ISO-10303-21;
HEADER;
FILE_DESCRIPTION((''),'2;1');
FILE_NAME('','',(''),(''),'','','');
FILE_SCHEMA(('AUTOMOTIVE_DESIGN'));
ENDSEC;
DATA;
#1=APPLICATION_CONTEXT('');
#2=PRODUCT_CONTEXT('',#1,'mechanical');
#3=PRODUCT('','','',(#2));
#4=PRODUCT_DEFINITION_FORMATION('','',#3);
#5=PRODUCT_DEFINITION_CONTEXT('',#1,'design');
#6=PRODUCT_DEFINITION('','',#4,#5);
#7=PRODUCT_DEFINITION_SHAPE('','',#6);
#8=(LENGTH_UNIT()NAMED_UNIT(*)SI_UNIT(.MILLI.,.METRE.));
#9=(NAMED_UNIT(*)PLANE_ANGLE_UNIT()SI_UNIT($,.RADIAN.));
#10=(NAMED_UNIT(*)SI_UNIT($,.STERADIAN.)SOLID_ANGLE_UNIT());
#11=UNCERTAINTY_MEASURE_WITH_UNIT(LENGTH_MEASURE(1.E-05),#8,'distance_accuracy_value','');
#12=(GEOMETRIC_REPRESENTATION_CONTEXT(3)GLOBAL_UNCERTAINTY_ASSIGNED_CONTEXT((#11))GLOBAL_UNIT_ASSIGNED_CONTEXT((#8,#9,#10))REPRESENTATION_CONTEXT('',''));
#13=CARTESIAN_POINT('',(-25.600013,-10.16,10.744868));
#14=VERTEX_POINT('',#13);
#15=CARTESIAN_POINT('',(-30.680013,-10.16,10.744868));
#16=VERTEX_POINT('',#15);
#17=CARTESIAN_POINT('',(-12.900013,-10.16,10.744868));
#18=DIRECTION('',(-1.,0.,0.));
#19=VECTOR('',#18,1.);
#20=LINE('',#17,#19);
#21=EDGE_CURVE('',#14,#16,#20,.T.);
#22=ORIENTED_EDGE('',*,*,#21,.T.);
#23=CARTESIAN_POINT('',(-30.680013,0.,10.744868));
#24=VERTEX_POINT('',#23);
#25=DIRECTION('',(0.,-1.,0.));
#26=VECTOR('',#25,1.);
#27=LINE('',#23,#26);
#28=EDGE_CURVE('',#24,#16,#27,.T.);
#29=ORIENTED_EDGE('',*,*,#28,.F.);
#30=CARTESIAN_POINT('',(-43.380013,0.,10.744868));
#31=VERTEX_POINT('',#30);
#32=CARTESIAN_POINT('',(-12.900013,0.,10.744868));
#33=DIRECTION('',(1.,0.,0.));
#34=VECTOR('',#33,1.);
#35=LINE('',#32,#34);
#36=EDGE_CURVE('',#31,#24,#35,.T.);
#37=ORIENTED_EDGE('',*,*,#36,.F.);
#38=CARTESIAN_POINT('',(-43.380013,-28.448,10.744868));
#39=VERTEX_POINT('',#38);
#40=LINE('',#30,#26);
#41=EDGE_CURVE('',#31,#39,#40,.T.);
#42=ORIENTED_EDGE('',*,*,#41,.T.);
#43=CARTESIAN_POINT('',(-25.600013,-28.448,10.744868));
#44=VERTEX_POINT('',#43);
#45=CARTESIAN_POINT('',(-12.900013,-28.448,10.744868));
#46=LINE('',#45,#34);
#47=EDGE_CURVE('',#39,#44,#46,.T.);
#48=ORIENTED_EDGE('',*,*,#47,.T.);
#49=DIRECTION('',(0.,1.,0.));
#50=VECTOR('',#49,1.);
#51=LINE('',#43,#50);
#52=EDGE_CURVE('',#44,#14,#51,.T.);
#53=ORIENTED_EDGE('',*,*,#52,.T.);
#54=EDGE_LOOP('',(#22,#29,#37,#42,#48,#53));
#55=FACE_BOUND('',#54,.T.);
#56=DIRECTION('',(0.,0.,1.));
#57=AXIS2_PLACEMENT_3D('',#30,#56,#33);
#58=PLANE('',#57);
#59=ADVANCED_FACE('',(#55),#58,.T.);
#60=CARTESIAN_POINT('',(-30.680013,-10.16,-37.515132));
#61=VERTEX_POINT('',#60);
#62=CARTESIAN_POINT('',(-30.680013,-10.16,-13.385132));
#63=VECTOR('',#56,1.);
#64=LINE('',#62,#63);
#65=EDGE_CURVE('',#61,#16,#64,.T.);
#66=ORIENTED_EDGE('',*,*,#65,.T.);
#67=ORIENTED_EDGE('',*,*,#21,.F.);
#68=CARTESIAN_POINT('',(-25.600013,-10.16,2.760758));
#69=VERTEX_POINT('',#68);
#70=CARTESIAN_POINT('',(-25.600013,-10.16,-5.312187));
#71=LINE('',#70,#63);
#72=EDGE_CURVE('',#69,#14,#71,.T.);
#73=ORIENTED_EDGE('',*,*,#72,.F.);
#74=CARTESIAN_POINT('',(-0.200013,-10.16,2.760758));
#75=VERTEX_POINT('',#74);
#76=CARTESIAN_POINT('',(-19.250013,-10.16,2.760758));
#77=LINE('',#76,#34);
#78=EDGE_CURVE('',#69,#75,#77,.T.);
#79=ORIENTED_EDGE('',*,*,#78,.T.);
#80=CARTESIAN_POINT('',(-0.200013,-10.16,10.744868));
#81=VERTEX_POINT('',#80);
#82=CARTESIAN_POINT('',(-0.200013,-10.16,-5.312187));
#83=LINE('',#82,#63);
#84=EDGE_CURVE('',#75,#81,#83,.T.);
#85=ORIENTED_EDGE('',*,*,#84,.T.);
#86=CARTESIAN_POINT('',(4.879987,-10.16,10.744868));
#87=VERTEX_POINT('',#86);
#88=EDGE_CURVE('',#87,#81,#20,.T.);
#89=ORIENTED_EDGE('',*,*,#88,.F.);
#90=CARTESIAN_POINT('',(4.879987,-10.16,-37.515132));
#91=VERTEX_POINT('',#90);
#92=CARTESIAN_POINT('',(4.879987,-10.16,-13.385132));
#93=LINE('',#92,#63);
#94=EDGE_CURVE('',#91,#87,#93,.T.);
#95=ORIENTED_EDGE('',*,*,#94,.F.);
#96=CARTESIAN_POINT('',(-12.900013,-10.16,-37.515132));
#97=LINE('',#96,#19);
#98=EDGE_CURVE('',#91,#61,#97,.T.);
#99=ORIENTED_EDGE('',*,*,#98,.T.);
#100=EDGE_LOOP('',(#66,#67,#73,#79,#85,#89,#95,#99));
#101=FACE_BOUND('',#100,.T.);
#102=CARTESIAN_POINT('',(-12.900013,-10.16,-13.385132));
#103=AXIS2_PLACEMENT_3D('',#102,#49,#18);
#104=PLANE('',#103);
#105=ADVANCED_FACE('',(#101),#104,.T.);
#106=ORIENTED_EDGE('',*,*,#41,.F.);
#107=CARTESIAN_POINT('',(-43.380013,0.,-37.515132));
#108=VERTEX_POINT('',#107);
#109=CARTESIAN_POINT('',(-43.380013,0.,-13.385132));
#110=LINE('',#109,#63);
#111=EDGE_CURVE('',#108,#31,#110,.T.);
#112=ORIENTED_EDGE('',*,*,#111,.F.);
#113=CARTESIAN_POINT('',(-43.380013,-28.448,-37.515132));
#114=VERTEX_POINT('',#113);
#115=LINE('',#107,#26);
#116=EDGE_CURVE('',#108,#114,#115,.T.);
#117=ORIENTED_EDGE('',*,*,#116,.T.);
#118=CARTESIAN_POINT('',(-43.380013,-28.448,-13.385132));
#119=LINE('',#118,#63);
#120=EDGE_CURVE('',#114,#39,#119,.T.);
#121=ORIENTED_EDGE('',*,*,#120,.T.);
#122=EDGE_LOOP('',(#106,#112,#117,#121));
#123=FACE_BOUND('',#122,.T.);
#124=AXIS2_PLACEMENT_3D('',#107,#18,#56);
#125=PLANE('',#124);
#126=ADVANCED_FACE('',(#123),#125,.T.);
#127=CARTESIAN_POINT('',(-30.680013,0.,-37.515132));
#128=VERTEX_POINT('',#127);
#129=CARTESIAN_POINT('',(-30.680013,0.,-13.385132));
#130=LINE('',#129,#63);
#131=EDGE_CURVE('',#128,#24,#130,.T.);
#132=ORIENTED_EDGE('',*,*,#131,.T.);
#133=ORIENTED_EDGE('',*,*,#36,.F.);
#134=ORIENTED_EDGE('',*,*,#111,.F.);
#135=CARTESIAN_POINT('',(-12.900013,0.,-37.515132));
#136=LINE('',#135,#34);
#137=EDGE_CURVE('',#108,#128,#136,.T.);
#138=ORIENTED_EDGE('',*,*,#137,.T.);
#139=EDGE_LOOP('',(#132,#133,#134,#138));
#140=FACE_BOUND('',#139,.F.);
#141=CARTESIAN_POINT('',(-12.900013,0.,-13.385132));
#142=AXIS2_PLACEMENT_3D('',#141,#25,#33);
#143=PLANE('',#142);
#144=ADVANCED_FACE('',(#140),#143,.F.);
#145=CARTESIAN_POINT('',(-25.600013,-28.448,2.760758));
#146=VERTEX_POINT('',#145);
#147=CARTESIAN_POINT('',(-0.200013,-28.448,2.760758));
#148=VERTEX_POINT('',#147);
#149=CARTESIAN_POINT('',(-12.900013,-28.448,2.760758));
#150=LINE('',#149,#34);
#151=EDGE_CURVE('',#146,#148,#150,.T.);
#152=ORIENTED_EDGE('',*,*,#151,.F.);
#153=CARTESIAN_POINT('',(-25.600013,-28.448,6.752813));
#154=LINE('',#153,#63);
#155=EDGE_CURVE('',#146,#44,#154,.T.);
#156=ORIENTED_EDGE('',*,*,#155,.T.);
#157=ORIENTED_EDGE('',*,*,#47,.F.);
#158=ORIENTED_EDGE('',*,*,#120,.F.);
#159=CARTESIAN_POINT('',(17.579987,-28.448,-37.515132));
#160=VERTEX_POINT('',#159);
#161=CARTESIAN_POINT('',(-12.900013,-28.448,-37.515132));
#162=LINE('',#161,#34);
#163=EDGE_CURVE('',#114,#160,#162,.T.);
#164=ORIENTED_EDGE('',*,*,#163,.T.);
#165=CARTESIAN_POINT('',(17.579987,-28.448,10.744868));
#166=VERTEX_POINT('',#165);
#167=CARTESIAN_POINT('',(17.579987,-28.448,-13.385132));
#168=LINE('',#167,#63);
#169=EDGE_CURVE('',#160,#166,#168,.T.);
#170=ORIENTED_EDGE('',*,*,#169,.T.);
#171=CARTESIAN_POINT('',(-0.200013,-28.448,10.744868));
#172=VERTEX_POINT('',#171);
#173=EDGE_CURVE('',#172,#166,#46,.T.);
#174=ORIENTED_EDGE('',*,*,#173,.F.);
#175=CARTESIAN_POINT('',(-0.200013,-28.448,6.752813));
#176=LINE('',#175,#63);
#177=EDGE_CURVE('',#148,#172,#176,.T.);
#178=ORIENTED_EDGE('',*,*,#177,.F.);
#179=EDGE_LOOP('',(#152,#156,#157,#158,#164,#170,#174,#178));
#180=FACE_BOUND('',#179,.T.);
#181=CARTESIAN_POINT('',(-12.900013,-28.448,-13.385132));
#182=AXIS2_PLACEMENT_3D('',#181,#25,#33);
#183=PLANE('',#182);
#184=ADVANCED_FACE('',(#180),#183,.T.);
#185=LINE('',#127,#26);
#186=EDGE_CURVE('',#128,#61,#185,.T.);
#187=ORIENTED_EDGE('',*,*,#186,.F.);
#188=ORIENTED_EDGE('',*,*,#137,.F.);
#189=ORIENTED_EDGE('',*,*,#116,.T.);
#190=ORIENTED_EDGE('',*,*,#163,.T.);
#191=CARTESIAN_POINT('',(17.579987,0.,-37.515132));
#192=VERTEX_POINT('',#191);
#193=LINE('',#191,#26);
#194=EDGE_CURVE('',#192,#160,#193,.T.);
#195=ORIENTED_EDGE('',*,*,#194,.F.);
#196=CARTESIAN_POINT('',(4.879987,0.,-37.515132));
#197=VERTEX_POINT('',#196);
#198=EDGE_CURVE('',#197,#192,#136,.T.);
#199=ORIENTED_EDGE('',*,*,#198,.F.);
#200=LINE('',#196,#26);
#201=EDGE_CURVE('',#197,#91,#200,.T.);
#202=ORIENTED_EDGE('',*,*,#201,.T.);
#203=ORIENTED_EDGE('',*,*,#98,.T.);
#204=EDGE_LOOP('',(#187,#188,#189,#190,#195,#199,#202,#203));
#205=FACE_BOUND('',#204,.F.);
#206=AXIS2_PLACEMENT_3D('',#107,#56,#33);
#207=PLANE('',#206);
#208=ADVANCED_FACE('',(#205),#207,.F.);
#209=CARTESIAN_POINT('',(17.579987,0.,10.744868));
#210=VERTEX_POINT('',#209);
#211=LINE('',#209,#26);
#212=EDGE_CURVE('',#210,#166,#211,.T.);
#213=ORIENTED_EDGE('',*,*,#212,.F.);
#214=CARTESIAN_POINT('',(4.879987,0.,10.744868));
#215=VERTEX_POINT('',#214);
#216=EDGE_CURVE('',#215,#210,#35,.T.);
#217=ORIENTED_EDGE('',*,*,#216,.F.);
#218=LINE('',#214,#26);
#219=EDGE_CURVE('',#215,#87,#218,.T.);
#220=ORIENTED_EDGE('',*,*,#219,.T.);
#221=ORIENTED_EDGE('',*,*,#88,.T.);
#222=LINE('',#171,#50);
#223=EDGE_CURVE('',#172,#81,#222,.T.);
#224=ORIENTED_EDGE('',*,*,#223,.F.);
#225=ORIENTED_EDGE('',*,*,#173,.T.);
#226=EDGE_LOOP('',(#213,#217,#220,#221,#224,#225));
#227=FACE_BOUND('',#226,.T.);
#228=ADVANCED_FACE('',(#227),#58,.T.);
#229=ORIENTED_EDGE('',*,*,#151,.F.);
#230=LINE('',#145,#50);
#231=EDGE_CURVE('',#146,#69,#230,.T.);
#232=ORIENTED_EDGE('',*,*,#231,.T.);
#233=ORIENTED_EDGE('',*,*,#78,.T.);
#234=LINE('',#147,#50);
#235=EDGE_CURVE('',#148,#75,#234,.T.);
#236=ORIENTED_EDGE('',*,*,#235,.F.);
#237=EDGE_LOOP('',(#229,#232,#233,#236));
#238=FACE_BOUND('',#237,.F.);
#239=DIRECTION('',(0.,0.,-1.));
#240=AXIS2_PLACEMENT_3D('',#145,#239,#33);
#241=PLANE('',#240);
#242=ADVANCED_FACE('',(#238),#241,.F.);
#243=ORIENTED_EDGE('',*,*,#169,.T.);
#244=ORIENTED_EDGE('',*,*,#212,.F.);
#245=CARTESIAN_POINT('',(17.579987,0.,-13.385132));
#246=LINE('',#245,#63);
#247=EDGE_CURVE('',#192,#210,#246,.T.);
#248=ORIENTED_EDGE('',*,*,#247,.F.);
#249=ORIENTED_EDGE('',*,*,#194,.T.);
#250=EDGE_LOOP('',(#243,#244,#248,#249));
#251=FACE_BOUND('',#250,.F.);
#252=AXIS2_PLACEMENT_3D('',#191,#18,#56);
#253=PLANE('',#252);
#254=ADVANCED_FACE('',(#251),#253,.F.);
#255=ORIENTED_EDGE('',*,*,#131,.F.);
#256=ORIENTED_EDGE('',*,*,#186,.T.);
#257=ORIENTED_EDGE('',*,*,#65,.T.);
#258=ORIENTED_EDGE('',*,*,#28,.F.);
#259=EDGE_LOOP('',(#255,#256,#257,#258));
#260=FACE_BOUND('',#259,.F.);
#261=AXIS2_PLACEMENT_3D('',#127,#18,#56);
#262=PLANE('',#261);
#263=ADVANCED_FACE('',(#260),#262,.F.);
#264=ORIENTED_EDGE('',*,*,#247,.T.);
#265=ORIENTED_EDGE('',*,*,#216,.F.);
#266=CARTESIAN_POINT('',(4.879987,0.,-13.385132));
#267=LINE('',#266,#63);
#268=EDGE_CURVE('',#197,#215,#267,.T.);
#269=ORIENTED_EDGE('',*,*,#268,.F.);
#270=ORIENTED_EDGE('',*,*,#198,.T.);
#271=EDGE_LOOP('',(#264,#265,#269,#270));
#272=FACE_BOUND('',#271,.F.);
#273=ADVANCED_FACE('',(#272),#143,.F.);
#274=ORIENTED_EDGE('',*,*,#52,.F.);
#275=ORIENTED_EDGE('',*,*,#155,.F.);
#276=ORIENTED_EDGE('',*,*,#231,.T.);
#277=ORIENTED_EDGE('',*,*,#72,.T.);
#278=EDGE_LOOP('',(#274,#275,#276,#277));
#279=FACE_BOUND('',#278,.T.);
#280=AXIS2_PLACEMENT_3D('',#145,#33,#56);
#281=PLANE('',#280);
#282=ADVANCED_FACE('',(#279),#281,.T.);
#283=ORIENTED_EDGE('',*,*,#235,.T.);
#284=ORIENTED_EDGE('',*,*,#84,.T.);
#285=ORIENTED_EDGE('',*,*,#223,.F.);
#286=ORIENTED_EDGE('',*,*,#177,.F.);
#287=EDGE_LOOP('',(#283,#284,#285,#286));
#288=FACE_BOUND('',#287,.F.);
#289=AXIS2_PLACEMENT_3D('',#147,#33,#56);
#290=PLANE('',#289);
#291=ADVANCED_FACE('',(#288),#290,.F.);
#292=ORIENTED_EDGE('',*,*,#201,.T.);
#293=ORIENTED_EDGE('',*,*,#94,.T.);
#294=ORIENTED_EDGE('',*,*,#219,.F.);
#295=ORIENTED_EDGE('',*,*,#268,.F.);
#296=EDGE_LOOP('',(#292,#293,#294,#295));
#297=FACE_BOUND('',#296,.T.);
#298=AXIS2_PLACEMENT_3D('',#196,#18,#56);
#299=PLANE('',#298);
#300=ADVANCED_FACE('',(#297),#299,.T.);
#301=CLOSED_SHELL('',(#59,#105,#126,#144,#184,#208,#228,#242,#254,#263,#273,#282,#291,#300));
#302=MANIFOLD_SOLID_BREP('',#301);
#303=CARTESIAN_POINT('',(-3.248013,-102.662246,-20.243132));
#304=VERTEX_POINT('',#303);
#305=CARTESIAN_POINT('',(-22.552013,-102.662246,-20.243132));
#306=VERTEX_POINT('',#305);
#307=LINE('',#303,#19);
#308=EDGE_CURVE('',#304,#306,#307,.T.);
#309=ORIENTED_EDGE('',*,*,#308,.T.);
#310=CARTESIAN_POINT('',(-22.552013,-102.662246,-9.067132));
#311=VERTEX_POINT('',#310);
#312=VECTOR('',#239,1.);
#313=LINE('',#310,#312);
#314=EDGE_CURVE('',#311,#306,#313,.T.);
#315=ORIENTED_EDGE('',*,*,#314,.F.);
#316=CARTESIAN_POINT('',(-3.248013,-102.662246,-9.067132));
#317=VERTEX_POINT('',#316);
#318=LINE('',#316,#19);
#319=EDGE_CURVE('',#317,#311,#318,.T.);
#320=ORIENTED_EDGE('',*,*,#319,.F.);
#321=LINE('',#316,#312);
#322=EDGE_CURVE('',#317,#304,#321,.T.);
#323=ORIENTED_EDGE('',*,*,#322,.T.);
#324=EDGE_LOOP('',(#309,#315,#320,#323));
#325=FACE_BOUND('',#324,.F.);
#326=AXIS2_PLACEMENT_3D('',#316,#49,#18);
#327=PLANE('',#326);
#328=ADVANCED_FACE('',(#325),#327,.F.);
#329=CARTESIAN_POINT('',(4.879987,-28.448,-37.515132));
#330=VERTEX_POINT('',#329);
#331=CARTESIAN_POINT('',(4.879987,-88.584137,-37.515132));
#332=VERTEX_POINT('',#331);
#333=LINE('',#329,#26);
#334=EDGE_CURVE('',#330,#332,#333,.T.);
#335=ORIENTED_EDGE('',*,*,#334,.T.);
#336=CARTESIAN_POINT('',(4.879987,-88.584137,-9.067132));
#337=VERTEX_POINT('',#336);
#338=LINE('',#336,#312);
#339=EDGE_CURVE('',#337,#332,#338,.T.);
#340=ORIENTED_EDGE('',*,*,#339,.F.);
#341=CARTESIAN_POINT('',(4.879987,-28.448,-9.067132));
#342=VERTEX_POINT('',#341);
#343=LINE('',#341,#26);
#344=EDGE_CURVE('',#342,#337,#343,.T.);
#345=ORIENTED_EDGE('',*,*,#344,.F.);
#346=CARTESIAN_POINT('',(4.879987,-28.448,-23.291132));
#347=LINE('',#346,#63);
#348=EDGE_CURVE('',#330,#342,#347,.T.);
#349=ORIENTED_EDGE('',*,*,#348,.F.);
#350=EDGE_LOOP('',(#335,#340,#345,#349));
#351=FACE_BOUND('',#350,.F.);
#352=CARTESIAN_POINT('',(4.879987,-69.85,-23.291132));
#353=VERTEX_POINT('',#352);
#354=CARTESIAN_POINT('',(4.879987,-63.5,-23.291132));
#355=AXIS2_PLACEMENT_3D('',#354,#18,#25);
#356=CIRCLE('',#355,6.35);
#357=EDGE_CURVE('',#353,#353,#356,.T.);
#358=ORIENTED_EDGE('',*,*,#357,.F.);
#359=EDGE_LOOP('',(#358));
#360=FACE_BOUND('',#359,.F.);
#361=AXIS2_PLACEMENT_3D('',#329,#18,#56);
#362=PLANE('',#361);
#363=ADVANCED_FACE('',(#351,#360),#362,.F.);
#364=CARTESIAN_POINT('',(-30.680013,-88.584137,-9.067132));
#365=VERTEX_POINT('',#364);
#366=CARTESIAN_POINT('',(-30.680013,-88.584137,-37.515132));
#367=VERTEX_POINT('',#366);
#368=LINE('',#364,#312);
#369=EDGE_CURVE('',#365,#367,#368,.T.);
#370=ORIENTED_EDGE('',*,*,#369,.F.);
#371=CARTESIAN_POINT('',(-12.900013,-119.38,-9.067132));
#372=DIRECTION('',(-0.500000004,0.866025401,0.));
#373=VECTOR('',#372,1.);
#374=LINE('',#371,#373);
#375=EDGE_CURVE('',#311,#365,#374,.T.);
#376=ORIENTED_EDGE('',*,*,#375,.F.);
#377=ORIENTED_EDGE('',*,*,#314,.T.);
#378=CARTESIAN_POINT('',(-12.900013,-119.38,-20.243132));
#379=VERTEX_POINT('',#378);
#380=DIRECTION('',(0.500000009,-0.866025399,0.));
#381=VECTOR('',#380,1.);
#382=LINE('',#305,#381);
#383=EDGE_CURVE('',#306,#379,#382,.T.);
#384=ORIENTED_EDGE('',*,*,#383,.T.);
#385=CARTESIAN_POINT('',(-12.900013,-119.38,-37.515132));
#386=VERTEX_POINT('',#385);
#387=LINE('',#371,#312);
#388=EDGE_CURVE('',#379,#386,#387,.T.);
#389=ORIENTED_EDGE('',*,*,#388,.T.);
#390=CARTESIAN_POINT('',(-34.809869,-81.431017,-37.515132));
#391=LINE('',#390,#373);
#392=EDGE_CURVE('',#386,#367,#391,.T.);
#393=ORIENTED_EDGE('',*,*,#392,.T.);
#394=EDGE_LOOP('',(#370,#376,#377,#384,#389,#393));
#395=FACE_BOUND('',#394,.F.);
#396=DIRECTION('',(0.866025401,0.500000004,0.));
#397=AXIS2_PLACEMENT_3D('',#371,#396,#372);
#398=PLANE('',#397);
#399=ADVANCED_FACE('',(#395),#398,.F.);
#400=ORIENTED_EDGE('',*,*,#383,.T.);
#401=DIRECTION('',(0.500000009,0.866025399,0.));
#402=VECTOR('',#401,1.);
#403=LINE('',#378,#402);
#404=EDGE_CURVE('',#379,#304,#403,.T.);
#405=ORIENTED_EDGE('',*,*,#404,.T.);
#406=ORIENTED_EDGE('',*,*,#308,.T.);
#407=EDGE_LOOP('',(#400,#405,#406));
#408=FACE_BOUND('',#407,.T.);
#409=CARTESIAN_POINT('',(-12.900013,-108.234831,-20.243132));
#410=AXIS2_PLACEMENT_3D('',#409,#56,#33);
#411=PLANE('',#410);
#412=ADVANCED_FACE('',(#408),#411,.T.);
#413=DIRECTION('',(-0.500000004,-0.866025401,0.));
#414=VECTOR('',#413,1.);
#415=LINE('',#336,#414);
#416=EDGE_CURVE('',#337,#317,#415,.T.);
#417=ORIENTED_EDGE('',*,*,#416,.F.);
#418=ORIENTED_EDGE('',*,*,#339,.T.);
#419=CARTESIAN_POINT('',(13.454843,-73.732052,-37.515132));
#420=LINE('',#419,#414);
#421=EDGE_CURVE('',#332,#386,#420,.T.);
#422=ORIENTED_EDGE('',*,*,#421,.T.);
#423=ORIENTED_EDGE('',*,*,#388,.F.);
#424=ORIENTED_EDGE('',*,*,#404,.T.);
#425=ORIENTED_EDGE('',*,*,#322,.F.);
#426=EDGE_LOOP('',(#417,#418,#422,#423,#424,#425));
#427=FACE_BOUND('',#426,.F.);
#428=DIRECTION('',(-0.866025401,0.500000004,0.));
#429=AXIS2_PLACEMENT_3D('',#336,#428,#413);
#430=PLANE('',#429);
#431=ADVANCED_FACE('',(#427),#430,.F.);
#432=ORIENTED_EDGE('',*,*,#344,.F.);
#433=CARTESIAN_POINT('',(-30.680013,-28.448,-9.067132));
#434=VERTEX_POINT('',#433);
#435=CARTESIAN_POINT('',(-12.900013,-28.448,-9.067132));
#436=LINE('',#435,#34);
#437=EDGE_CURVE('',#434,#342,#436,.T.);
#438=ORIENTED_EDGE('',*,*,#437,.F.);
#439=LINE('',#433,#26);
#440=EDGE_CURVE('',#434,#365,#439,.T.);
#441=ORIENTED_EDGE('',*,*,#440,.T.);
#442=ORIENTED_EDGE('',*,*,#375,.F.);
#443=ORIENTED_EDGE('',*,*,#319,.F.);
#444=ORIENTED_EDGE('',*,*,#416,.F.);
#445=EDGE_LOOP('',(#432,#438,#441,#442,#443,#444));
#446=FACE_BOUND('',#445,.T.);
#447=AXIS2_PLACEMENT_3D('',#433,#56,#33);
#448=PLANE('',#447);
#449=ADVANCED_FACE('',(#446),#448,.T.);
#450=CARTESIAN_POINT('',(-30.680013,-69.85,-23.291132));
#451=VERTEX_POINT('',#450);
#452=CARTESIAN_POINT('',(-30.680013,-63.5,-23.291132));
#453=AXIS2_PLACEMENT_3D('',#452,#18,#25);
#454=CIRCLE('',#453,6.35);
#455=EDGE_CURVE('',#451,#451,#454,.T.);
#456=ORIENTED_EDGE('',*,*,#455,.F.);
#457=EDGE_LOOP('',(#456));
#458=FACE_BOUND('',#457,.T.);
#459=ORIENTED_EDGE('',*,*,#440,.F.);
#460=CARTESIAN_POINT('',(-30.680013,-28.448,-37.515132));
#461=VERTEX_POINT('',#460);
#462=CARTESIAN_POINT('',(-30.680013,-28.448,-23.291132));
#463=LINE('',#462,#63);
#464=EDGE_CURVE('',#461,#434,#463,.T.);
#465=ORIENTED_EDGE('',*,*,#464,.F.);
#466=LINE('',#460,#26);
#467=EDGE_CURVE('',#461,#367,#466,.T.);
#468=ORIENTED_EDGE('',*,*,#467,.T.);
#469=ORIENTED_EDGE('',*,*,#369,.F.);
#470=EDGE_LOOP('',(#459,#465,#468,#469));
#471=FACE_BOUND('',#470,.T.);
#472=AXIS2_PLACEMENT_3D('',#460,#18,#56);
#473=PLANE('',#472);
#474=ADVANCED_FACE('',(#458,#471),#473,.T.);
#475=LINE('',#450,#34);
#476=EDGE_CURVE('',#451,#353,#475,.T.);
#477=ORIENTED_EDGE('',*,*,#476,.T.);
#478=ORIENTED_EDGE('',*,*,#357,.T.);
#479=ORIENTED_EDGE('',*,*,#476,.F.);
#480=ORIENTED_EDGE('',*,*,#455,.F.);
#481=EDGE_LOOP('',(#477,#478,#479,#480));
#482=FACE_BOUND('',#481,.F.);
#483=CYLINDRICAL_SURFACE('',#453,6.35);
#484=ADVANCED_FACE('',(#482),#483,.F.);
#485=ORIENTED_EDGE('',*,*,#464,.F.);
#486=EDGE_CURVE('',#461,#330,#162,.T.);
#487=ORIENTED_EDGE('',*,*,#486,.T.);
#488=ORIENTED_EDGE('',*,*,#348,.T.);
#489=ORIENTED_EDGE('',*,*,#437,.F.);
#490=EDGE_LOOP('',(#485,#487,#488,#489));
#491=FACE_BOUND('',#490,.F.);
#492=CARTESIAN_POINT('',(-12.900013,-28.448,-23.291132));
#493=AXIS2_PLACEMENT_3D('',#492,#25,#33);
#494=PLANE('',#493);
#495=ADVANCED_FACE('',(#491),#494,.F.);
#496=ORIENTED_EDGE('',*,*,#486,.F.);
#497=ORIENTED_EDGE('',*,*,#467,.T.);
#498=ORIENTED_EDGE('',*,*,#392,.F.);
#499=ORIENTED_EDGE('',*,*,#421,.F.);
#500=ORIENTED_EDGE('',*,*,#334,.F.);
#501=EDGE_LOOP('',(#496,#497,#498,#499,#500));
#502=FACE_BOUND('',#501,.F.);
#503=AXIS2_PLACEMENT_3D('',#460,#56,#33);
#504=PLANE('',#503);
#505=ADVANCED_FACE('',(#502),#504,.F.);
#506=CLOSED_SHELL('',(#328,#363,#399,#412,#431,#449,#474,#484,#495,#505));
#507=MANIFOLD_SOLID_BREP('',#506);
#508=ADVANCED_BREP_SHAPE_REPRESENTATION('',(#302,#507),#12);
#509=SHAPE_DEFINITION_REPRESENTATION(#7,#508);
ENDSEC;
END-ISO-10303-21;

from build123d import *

# Parameters (mm, degrees)
F0_W      = 60.96
F0_H      = 48.26
F1_DEPTH  = 28.448
F2_W      = 25.4
F2_H      = 7.98411
F3_DEPTH  = 30.226
F4_W      = 35.56
F4_H      = 48.26
F5_DEPTH  = 10.16
F6_W      = 35.56
F6_H      = 28.448
F7_DEPTH  = 90.932
F8_R      = 6.35
F9_DEPTH  = 42.164
F11_DEPTH = 32.766
F13_DEPTH = 11.176


with BuildPart() as f1:
    # F0 (on Front) → F1 (new body)
    with BuildSketch(Plane.XZ):
        with Locations((-12.900013, -13.385132)):
            Rectangle(F0_W, F0_H)
    extrude(amount=F1_DEPTH)

    # F2 (on face) → F3 (cut)
    with BuildSketch(Plane.XZ.offset(28.448)):
        with Locations((-12.900013, 6.752813)):
            Rectangle(F2_W, F2_H)
    extrude(amount=-F3_DEPTH, mode=Mode.SUBTRACT)

    # F4 (on face) → F5 (cut)
    with BuildSketch(Plane(origin=(0, 0, 0), x_dir=(-1, 0, 0), z_dir=(0, 1, 0))):
        with Locations((12.900013, -13.385132)):
            Rectangle(F4_W, F4_H)
    extrude(amount=-F5_DEPTH, mode=Mode.SUBTRACT)


with BuildPart() as f7:
    # F6 (on face) → F7 (new body)
    with BuildSketch(Plane.XZ.offset(28.448)):
        with Locations((-12.900013, -23.291132)):
            Rectangle(F6_W, F6_H)
    extrude(amount=F7_DEPTH)

    # F8 (on face) → F9 (cut)
    with BuildSketch(Plane(origin=(-30.680013, 0, 0), x_dir=(0, -1, 0), z_dir=(-1, 0, 0))):
        with Locations((63.5, -23.291132)):
            Circle(F8_R)
    extrude(amount=-F9_DEPTH, mode=Mode.SUBTRACT)

    # F10 (on face) → F11 (cut)
    with BuildSketch(Plane.XY.offset(-9.067132)):
        Polygon((-30.680013, -119.38), (-12.900013, -119.38), (-30.680013, -88.584137), align=None)
        Polygon((4.879987, -88.584137), (-12.900013, -119.38), (4.879987, -119.38), align=None)
    extrude(amount=-F11_DEPTH, mode=Mode.SUBTRACT)

    # F12 (on face) → F13 (cut)
    with BuildSketch(Plane.XY.offset(-9.067132)):
        Polygon((-22.552013, -102.662246), (-12.900013, -119.38), (-3.248013, -102.662246), align=None)
    extrude(amount=-F13_DEPTH, mode=Mode.SUBTRACT)


solid = Compound([f1.part, f7.part])
